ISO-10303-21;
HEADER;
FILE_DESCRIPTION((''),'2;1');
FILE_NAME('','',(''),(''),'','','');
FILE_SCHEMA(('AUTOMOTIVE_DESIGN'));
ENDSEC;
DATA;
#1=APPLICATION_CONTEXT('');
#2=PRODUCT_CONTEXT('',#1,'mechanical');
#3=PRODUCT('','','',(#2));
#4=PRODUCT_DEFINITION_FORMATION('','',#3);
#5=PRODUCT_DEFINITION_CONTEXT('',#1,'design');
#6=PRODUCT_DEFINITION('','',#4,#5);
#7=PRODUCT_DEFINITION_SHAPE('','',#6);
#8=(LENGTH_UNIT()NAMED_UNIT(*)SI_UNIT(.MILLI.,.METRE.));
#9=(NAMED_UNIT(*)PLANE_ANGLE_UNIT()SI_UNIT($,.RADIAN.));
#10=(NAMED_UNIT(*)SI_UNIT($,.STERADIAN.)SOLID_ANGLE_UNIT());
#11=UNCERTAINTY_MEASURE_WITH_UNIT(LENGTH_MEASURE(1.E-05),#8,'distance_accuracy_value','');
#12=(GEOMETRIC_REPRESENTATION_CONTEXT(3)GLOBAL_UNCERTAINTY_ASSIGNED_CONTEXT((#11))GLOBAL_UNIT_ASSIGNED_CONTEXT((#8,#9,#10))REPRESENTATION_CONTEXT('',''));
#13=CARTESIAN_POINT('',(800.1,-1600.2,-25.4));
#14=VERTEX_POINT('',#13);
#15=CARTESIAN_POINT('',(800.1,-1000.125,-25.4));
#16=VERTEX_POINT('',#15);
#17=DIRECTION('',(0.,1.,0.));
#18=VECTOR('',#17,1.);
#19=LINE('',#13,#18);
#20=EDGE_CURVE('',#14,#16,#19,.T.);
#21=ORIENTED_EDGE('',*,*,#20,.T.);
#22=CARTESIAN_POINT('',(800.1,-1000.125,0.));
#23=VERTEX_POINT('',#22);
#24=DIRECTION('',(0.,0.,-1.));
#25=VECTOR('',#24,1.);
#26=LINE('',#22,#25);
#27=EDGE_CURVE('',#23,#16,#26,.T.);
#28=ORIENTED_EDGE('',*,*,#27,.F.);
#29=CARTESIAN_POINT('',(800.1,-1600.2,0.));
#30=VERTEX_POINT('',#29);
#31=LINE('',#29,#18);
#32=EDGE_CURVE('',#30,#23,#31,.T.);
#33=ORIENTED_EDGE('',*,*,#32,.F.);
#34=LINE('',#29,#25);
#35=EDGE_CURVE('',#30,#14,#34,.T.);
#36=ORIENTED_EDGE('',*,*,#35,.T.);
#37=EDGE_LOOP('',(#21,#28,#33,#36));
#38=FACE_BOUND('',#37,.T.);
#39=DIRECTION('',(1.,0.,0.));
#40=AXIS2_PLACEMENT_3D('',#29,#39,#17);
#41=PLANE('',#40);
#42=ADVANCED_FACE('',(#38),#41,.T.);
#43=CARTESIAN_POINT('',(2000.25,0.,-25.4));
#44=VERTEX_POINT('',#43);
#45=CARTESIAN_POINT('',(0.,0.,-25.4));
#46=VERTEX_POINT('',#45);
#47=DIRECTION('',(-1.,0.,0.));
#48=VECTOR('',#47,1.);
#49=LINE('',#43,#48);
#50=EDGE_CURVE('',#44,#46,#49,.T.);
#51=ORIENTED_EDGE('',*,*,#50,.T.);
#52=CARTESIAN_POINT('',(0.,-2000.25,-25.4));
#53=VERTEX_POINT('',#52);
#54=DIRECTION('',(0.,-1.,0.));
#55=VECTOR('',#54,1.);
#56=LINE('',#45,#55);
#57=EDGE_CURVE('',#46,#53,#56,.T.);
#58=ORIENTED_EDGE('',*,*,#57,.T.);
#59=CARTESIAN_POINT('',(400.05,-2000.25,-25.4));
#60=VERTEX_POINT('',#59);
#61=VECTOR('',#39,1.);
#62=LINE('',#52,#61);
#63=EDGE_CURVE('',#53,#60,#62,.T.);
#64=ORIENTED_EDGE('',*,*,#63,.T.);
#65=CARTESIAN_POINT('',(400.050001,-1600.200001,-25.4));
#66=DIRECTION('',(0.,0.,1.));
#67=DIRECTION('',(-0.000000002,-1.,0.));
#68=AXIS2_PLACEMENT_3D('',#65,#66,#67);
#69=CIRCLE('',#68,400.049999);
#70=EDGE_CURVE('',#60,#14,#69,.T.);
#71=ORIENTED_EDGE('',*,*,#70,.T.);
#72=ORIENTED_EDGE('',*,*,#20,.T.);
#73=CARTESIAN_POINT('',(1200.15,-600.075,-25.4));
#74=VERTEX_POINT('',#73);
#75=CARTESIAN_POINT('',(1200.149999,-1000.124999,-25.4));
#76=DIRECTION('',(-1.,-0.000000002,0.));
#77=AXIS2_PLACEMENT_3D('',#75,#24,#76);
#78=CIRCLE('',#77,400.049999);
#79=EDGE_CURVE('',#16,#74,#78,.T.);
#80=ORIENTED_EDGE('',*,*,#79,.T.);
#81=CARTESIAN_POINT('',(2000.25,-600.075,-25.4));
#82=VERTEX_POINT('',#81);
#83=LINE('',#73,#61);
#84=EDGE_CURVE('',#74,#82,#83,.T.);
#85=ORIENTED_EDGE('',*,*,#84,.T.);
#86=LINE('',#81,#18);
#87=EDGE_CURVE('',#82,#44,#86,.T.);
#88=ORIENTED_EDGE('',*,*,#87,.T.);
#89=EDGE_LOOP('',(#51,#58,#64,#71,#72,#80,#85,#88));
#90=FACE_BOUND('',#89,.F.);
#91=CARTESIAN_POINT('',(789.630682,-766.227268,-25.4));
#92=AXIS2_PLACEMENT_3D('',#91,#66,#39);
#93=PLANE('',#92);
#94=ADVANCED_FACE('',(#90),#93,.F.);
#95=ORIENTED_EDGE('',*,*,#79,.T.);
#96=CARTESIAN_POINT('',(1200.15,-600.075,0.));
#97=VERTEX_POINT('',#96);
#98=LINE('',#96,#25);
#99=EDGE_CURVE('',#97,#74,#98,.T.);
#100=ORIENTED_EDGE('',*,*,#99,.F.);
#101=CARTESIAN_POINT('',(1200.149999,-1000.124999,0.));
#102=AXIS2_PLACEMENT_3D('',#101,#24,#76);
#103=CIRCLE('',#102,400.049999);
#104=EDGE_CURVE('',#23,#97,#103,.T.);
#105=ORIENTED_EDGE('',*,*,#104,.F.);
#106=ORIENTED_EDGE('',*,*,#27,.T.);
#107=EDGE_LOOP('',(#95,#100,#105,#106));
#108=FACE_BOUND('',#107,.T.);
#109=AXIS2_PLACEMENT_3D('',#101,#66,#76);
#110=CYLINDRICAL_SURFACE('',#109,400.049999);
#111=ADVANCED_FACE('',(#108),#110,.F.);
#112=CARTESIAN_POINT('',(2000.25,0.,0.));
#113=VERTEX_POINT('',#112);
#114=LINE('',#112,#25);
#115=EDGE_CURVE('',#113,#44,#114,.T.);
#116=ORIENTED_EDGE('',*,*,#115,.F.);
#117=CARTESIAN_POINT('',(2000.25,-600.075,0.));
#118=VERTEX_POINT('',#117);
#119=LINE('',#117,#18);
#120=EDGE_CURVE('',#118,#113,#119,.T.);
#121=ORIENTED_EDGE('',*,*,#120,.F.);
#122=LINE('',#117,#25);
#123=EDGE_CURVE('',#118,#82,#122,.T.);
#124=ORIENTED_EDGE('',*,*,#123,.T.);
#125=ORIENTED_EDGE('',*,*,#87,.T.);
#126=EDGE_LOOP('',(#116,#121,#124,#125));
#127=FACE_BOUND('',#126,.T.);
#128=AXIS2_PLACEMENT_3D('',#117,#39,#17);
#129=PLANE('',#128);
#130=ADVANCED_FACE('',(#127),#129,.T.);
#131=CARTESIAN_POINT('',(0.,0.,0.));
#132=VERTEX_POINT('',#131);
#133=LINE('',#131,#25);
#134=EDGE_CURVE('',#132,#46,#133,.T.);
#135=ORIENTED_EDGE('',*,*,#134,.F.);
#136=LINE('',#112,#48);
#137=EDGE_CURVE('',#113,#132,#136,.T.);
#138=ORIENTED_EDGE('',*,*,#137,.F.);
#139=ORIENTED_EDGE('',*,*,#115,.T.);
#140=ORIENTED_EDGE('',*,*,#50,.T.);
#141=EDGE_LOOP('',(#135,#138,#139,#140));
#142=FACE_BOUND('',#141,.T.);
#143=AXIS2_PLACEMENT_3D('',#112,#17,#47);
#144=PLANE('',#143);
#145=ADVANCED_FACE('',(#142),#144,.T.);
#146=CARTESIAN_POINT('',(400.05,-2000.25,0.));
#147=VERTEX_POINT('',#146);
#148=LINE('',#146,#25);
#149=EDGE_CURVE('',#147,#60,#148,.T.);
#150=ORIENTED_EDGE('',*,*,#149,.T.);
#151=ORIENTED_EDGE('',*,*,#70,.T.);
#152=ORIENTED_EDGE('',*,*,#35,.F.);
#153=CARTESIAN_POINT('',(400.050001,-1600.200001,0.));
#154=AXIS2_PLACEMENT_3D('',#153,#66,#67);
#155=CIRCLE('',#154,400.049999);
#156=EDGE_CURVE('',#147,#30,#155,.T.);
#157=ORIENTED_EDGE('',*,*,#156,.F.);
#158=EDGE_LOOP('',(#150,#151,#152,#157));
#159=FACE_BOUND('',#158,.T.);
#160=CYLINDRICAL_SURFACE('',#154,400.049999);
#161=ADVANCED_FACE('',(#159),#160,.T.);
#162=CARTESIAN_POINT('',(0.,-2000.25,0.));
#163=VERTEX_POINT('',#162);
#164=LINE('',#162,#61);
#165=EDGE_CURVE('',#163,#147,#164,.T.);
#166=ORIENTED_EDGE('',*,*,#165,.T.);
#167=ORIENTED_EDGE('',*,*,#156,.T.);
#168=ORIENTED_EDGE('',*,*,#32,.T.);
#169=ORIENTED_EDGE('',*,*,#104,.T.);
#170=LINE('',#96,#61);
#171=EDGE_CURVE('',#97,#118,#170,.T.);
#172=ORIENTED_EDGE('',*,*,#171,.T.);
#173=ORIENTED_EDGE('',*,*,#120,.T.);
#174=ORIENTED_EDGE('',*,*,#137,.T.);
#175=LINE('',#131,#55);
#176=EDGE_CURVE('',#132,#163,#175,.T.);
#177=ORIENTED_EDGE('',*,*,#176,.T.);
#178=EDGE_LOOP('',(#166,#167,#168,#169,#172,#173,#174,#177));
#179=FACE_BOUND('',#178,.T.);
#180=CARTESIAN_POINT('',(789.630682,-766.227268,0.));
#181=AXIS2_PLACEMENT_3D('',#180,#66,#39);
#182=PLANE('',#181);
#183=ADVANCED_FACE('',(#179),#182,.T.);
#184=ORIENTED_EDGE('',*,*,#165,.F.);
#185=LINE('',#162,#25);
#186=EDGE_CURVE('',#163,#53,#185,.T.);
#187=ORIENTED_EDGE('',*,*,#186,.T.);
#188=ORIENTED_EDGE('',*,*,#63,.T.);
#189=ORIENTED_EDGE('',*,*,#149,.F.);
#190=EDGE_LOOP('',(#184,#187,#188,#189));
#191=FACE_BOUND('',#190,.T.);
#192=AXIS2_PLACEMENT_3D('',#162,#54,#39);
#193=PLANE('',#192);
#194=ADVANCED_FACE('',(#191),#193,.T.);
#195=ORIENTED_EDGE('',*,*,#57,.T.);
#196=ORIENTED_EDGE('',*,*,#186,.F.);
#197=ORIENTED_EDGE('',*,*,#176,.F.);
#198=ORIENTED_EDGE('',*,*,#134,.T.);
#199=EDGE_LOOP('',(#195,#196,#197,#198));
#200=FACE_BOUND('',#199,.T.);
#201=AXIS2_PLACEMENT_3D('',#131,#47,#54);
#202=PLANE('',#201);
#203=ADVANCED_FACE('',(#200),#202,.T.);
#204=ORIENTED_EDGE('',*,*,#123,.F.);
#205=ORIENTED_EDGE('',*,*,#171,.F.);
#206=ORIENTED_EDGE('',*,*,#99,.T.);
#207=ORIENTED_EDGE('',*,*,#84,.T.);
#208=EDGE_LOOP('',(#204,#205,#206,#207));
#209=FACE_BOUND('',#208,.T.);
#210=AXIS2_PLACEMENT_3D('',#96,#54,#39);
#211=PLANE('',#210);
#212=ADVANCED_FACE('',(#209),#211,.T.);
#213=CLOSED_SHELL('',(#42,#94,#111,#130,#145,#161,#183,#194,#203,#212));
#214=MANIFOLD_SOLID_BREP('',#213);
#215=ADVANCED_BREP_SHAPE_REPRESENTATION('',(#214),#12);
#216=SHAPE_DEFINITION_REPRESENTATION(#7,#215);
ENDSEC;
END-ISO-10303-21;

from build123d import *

# Parameters (mm, degrees)
F1_DEPTH = 25.4


with BuildPart() as f1:
    # F0 (on Top) → F1 (new body)
    with BuildSketch(Plane.XY):
        with BuildLine():
            Line((2000.25, 0), (0, 0))
            Line((0, 0), (0, -2000.25))
            Line((0, -2000.25), (400.05, -2000.25))
            ThreePointArc((400.05, -2000.25), (682.928068, -1883.078068), (800.1, -1600.2))
            Line((800.1, -1600.2), (800.1, -1000.125))
            ThreePointArc((800.1, -1000.125), (917.271932, -717.246932), (1200.15, -600.075))
            Line((1200.15, -600.075), (2000.25, -600.075))
            Line((2000.25, -600.075), (2000.25, 0))
        make_face()
    extrude(amount=-F1_DEPTH)


solid = f1.part
